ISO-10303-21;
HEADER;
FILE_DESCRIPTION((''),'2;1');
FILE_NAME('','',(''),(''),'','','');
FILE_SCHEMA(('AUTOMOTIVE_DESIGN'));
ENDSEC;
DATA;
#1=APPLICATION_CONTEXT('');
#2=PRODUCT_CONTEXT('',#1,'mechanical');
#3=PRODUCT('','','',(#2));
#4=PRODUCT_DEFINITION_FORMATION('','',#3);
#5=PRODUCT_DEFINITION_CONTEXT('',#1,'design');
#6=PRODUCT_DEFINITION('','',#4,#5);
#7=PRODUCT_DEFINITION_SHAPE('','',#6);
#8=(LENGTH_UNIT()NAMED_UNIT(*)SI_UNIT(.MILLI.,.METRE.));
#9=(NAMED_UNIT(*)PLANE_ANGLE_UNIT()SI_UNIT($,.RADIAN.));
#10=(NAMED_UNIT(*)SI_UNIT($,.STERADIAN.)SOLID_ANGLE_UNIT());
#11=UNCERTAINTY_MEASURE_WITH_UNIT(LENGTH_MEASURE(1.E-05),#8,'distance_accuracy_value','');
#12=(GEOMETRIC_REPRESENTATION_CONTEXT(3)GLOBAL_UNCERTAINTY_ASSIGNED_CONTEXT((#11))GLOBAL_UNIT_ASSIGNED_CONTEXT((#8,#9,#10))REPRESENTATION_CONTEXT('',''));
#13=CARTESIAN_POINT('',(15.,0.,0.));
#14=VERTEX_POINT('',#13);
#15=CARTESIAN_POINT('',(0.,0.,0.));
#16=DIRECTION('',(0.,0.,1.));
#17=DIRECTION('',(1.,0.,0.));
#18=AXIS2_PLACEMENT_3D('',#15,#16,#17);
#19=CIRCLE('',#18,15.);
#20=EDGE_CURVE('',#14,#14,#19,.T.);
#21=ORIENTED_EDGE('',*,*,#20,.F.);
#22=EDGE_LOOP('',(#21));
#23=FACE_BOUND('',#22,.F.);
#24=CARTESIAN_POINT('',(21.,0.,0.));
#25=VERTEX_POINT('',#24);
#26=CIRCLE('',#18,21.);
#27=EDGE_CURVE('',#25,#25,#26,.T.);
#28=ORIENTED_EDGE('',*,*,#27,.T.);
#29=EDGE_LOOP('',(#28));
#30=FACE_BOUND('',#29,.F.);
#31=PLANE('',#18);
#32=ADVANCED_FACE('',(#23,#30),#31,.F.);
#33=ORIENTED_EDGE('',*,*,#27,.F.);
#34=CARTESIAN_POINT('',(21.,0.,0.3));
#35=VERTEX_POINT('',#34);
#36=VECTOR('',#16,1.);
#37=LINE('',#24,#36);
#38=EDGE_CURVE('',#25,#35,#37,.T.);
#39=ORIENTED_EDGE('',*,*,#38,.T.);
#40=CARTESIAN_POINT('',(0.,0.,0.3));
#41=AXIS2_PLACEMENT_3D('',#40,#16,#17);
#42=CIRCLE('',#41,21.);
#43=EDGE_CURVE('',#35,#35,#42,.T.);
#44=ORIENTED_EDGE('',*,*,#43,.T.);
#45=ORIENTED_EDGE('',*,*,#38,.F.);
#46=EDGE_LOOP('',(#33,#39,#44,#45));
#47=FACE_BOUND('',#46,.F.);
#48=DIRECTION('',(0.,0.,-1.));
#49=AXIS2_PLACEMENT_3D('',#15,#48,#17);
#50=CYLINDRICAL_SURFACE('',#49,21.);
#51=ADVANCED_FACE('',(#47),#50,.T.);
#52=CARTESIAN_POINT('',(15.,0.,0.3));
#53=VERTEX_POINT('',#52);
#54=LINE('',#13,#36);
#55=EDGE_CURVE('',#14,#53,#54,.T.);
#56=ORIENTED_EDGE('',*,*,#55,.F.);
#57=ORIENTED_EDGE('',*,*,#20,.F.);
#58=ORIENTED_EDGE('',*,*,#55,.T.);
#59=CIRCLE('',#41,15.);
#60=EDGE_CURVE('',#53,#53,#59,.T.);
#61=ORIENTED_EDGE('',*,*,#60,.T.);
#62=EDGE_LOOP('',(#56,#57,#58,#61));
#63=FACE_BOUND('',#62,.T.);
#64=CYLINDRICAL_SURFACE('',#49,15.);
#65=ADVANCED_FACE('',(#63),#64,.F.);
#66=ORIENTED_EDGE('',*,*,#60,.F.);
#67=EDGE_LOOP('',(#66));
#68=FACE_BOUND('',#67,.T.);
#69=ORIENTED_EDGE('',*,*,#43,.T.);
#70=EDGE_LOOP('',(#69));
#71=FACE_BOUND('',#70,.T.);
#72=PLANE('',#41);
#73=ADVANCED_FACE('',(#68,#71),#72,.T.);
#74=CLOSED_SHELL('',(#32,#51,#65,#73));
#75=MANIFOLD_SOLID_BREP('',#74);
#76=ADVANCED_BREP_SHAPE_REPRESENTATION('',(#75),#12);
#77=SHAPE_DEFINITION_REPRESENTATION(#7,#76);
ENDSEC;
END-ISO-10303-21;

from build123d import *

# Parameters (mm, degrees)
SKETCH_R   = 21
SKETCH_R_2 = 15
PAD_DEPTH  = 0.3


with BuildPart() as part:
    # Sketch → Pad (new body)
    with BuildSketch(Plane.XY):
        Circle(SKETCH_R)
        Circle(SKETCH_R_2, mode=Mode.SUBTRACT)
    extrude(amount=PAD_DEPTH)


solid = part.part
